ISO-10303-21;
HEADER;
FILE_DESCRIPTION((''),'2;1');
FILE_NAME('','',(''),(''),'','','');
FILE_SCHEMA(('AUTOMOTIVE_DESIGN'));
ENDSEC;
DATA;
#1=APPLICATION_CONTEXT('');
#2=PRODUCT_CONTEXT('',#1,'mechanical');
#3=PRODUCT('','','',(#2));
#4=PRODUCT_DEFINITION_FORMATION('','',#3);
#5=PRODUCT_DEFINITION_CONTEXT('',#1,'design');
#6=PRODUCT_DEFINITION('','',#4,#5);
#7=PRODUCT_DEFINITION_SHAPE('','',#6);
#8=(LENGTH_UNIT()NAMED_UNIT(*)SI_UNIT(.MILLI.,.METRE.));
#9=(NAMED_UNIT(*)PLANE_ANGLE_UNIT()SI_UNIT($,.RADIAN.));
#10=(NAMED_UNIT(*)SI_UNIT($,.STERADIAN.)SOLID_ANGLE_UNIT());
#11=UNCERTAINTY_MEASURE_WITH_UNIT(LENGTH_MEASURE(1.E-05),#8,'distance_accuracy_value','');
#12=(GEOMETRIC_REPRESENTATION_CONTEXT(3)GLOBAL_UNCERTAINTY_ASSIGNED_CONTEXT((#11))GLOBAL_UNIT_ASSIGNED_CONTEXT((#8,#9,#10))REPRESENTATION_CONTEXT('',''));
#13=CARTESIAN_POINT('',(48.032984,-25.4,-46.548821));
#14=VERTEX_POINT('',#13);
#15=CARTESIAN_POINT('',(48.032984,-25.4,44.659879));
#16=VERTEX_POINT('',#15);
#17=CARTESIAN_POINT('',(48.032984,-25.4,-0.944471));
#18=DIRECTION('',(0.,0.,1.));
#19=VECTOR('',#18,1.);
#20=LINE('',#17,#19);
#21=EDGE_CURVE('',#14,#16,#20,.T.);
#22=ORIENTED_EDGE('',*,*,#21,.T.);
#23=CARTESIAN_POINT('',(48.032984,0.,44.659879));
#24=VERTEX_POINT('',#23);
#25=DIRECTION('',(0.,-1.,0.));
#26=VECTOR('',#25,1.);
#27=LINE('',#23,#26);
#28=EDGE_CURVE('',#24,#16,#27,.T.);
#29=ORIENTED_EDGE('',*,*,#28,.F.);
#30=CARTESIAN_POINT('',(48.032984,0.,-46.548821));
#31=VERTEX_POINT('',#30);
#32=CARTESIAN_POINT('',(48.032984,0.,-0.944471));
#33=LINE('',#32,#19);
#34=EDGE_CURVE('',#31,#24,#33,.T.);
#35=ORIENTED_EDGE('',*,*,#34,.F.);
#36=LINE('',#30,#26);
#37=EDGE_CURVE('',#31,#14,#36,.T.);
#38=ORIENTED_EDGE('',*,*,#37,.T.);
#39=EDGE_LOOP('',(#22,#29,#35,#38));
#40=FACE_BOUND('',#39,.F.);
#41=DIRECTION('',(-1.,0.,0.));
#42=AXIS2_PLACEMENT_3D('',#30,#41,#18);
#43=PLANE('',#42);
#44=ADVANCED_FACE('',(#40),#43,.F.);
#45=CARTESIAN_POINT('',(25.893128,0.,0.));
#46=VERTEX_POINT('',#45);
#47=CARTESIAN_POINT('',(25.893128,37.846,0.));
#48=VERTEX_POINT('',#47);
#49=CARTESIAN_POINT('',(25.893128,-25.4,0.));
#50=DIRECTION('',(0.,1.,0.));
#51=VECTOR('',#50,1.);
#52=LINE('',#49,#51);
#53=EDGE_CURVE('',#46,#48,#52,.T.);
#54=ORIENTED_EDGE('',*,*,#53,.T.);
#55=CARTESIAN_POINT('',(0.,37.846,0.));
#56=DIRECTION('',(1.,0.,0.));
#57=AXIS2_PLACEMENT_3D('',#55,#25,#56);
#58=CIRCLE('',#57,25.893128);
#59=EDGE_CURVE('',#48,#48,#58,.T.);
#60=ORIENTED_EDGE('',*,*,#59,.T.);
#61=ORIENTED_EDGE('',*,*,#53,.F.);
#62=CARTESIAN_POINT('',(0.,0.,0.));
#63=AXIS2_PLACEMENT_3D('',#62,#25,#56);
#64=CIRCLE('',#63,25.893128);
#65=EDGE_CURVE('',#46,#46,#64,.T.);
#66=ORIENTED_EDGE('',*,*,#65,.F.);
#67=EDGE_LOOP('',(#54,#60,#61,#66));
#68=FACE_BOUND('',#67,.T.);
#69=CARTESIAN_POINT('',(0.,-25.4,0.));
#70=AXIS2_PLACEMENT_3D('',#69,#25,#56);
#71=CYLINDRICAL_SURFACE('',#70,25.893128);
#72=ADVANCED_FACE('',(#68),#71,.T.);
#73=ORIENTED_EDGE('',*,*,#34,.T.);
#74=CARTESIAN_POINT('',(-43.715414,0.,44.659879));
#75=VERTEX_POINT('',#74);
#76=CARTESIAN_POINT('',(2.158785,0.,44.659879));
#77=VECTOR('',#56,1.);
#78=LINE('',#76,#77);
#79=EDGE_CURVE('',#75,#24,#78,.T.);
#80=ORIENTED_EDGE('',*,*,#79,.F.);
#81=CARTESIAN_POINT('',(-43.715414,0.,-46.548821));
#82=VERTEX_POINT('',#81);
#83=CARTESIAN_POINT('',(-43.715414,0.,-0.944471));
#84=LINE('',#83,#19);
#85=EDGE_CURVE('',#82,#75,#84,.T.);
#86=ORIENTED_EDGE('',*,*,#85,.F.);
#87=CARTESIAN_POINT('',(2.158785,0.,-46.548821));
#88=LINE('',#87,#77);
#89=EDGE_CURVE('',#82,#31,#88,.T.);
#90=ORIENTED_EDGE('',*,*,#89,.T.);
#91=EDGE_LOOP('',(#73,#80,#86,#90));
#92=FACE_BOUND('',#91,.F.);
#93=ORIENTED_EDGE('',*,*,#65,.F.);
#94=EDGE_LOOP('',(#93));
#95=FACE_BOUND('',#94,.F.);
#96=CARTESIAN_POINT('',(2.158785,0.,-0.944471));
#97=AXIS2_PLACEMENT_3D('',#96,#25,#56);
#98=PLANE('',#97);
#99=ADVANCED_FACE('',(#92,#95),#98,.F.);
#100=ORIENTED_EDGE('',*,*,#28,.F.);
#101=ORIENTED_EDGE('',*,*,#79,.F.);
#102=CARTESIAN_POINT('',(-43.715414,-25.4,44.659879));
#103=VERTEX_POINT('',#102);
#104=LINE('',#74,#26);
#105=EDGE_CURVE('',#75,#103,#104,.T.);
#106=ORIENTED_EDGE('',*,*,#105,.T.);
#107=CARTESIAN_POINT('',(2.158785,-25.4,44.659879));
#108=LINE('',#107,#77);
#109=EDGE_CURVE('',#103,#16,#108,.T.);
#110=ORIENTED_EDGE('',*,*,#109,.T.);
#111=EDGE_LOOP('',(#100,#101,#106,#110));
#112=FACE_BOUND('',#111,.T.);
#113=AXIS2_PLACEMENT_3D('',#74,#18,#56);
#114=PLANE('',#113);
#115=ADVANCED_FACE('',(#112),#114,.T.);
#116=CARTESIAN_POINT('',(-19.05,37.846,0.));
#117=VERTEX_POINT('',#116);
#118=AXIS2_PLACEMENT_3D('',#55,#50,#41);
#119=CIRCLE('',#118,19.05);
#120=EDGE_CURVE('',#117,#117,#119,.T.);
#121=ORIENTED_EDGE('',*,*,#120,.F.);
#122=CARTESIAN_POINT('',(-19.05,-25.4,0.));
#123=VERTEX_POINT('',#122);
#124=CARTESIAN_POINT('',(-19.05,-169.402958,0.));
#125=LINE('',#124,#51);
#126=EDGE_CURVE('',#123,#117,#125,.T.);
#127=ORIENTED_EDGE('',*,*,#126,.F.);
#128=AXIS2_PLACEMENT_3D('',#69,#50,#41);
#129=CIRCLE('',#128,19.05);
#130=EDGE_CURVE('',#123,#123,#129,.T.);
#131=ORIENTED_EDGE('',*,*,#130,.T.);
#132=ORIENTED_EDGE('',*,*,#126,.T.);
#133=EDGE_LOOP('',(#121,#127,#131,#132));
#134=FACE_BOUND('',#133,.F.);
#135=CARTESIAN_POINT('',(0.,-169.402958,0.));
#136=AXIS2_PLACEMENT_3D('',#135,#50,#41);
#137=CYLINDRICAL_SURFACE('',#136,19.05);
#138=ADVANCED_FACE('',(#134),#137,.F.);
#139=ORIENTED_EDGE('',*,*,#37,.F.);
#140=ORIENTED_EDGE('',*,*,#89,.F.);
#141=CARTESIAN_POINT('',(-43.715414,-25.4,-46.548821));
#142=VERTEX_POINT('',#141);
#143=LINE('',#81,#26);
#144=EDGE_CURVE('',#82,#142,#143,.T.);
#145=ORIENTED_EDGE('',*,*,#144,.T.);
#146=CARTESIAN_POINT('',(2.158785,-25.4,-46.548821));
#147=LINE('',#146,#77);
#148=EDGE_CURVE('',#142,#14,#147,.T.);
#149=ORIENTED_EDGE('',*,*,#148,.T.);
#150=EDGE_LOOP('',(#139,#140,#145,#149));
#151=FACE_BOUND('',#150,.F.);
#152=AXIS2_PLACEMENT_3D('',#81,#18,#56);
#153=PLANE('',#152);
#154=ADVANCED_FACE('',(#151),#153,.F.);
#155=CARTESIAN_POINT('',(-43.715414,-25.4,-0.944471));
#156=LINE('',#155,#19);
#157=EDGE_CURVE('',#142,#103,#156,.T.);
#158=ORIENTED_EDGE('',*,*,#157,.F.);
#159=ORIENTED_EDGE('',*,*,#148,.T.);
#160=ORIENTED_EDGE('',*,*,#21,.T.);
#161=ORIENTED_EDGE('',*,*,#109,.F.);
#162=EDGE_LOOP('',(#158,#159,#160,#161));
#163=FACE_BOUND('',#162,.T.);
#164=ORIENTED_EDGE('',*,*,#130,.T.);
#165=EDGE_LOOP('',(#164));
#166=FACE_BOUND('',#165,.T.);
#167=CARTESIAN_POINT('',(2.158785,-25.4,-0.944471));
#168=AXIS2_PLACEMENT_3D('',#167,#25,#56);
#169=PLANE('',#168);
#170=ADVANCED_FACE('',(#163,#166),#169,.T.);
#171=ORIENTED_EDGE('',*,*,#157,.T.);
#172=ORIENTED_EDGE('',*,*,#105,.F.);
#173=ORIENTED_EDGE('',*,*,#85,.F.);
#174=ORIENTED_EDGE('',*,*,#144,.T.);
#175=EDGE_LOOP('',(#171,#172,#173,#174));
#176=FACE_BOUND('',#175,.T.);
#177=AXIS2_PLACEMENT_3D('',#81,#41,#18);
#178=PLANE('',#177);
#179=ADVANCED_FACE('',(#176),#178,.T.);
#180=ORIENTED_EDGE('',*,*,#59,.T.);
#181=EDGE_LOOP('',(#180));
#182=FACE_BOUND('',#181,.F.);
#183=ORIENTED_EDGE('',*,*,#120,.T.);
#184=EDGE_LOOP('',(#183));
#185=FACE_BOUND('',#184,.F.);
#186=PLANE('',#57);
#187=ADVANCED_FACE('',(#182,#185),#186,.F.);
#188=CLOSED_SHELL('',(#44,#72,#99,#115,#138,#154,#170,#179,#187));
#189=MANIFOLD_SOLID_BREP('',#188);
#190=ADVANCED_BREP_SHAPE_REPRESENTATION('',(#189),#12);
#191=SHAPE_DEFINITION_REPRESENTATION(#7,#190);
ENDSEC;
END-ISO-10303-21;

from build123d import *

# Parameters (mm, degrees)
F0_W     = 91.748398
F0_H     = 91.2087
F1_DEPTH = 25.4
F4_D     = 50.8
F2_R     = 25.893128
F6_DEPTH = 63.246
F7_D     = 38.1


with BuildPart() as f1:
    # F0 (on Front) → F1 (new body)
    with BuildSketch(Plane.XZ):
        with Locations((2.158785, -0.944471)):
            Rectangle(F0_W, F0_H)
    extrude(amount=F1_DEPTH)

    # F4 (through all)
    with Locations(Plane.XZ.offset(25.4)):
        with Locations((0, 0)):
            Hole(F4_D / 2)

    # F2 (on face) → F6 (join)
    with BuildSketch(Plane.XZ.offset(25.4)):
        Circle(F2_R)
    extrude(amount=-F6_DEPTH)

    # F7 (through all)
    with Locations(Plane.XZ.offset(25.4)):
        with Locations((0, 0)):
            Hole(F7_D / 2)


solid = f1.part
